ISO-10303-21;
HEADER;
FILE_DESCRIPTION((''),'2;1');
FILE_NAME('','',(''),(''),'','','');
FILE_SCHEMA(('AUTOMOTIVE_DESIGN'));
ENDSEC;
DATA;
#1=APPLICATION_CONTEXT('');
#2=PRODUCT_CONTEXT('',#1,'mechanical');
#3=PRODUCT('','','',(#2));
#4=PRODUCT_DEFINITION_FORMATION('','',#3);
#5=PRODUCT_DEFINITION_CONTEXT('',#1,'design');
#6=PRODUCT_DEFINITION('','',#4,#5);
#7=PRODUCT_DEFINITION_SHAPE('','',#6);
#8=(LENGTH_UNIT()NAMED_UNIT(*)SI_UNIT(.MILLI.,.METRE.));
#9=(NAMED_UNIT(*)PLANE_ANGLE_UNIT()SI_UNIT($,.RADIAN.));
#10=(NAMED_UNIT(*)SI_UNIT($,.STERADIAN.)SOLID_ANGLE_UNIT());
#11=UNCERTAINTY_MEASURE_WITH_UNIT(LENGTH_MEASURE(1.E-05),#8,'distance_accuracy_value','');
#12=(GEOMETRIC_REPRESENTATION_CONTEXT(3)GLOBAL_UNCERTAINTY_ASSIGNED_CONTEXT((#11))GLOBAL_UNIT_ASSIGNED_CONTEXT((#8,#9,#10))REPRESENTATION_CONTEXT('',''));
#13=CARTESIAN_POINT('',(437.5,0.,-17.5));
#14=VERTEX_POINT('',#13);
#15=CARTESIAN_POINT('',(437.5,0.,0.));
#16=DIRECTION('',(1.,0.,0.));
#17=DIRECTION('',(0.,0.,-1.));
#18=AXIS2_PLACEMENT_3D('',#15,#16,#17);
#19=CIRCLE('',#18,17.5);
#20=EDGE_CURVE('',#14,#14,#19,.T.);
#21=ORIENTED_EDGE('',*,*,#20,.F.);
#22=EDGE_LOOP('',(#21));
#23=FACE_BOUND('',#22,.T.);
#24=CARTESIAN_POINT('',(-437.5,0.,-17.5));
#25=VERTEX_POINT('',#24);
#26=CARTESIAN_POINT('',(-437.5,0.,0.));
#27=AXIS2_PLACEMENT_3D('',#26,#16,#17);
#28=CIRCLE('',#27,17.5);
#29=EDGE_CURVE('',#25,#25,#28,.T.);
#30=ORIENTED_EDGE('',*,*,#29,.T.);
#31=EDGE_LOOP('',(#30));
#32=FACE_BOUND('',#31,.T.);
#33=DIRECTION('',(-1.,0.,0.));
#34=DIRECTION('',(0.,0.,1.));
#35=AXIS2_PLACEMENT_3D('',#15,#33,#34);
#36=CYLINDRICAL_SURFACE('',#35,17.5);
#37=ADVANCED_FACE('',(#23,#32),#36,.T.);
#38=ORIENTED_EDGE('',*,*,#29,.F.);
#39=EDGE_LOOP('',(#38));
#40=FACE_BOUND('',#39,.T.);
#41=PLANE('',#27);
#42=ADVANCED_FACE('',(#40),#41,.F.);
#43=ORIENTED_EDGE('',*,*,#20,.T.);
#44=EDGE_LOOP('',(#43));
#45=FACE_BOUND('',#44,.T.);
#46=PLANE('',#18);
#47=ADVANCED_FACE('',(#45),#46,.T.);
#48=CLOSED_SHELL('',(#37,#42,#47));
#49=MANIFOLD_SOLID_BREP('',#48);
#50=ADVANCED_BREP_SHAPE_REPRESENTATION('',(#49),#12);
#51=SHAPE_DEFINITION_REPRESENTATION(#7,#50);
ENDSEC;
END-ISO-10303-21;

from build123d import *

# Parameters (mm, degrees)
SKETCH1_R           = 17.5
BOSS_EXTRUDE2_DEPTH = 437.5


with BuildPart() as part:
    # Sketch1 → Boss-Extrude2 (new body, symmetric)
    with BuildSketch(Plane(origin=(0, 0, 0), x_dir=(0, 0, -1), z_dir=(1, 0, 0))):
        Circle(SKETCH1_R)
    extrude(amount=BOSS_EXTRUDE2_DEPTH, both=True)


solid = part.part
